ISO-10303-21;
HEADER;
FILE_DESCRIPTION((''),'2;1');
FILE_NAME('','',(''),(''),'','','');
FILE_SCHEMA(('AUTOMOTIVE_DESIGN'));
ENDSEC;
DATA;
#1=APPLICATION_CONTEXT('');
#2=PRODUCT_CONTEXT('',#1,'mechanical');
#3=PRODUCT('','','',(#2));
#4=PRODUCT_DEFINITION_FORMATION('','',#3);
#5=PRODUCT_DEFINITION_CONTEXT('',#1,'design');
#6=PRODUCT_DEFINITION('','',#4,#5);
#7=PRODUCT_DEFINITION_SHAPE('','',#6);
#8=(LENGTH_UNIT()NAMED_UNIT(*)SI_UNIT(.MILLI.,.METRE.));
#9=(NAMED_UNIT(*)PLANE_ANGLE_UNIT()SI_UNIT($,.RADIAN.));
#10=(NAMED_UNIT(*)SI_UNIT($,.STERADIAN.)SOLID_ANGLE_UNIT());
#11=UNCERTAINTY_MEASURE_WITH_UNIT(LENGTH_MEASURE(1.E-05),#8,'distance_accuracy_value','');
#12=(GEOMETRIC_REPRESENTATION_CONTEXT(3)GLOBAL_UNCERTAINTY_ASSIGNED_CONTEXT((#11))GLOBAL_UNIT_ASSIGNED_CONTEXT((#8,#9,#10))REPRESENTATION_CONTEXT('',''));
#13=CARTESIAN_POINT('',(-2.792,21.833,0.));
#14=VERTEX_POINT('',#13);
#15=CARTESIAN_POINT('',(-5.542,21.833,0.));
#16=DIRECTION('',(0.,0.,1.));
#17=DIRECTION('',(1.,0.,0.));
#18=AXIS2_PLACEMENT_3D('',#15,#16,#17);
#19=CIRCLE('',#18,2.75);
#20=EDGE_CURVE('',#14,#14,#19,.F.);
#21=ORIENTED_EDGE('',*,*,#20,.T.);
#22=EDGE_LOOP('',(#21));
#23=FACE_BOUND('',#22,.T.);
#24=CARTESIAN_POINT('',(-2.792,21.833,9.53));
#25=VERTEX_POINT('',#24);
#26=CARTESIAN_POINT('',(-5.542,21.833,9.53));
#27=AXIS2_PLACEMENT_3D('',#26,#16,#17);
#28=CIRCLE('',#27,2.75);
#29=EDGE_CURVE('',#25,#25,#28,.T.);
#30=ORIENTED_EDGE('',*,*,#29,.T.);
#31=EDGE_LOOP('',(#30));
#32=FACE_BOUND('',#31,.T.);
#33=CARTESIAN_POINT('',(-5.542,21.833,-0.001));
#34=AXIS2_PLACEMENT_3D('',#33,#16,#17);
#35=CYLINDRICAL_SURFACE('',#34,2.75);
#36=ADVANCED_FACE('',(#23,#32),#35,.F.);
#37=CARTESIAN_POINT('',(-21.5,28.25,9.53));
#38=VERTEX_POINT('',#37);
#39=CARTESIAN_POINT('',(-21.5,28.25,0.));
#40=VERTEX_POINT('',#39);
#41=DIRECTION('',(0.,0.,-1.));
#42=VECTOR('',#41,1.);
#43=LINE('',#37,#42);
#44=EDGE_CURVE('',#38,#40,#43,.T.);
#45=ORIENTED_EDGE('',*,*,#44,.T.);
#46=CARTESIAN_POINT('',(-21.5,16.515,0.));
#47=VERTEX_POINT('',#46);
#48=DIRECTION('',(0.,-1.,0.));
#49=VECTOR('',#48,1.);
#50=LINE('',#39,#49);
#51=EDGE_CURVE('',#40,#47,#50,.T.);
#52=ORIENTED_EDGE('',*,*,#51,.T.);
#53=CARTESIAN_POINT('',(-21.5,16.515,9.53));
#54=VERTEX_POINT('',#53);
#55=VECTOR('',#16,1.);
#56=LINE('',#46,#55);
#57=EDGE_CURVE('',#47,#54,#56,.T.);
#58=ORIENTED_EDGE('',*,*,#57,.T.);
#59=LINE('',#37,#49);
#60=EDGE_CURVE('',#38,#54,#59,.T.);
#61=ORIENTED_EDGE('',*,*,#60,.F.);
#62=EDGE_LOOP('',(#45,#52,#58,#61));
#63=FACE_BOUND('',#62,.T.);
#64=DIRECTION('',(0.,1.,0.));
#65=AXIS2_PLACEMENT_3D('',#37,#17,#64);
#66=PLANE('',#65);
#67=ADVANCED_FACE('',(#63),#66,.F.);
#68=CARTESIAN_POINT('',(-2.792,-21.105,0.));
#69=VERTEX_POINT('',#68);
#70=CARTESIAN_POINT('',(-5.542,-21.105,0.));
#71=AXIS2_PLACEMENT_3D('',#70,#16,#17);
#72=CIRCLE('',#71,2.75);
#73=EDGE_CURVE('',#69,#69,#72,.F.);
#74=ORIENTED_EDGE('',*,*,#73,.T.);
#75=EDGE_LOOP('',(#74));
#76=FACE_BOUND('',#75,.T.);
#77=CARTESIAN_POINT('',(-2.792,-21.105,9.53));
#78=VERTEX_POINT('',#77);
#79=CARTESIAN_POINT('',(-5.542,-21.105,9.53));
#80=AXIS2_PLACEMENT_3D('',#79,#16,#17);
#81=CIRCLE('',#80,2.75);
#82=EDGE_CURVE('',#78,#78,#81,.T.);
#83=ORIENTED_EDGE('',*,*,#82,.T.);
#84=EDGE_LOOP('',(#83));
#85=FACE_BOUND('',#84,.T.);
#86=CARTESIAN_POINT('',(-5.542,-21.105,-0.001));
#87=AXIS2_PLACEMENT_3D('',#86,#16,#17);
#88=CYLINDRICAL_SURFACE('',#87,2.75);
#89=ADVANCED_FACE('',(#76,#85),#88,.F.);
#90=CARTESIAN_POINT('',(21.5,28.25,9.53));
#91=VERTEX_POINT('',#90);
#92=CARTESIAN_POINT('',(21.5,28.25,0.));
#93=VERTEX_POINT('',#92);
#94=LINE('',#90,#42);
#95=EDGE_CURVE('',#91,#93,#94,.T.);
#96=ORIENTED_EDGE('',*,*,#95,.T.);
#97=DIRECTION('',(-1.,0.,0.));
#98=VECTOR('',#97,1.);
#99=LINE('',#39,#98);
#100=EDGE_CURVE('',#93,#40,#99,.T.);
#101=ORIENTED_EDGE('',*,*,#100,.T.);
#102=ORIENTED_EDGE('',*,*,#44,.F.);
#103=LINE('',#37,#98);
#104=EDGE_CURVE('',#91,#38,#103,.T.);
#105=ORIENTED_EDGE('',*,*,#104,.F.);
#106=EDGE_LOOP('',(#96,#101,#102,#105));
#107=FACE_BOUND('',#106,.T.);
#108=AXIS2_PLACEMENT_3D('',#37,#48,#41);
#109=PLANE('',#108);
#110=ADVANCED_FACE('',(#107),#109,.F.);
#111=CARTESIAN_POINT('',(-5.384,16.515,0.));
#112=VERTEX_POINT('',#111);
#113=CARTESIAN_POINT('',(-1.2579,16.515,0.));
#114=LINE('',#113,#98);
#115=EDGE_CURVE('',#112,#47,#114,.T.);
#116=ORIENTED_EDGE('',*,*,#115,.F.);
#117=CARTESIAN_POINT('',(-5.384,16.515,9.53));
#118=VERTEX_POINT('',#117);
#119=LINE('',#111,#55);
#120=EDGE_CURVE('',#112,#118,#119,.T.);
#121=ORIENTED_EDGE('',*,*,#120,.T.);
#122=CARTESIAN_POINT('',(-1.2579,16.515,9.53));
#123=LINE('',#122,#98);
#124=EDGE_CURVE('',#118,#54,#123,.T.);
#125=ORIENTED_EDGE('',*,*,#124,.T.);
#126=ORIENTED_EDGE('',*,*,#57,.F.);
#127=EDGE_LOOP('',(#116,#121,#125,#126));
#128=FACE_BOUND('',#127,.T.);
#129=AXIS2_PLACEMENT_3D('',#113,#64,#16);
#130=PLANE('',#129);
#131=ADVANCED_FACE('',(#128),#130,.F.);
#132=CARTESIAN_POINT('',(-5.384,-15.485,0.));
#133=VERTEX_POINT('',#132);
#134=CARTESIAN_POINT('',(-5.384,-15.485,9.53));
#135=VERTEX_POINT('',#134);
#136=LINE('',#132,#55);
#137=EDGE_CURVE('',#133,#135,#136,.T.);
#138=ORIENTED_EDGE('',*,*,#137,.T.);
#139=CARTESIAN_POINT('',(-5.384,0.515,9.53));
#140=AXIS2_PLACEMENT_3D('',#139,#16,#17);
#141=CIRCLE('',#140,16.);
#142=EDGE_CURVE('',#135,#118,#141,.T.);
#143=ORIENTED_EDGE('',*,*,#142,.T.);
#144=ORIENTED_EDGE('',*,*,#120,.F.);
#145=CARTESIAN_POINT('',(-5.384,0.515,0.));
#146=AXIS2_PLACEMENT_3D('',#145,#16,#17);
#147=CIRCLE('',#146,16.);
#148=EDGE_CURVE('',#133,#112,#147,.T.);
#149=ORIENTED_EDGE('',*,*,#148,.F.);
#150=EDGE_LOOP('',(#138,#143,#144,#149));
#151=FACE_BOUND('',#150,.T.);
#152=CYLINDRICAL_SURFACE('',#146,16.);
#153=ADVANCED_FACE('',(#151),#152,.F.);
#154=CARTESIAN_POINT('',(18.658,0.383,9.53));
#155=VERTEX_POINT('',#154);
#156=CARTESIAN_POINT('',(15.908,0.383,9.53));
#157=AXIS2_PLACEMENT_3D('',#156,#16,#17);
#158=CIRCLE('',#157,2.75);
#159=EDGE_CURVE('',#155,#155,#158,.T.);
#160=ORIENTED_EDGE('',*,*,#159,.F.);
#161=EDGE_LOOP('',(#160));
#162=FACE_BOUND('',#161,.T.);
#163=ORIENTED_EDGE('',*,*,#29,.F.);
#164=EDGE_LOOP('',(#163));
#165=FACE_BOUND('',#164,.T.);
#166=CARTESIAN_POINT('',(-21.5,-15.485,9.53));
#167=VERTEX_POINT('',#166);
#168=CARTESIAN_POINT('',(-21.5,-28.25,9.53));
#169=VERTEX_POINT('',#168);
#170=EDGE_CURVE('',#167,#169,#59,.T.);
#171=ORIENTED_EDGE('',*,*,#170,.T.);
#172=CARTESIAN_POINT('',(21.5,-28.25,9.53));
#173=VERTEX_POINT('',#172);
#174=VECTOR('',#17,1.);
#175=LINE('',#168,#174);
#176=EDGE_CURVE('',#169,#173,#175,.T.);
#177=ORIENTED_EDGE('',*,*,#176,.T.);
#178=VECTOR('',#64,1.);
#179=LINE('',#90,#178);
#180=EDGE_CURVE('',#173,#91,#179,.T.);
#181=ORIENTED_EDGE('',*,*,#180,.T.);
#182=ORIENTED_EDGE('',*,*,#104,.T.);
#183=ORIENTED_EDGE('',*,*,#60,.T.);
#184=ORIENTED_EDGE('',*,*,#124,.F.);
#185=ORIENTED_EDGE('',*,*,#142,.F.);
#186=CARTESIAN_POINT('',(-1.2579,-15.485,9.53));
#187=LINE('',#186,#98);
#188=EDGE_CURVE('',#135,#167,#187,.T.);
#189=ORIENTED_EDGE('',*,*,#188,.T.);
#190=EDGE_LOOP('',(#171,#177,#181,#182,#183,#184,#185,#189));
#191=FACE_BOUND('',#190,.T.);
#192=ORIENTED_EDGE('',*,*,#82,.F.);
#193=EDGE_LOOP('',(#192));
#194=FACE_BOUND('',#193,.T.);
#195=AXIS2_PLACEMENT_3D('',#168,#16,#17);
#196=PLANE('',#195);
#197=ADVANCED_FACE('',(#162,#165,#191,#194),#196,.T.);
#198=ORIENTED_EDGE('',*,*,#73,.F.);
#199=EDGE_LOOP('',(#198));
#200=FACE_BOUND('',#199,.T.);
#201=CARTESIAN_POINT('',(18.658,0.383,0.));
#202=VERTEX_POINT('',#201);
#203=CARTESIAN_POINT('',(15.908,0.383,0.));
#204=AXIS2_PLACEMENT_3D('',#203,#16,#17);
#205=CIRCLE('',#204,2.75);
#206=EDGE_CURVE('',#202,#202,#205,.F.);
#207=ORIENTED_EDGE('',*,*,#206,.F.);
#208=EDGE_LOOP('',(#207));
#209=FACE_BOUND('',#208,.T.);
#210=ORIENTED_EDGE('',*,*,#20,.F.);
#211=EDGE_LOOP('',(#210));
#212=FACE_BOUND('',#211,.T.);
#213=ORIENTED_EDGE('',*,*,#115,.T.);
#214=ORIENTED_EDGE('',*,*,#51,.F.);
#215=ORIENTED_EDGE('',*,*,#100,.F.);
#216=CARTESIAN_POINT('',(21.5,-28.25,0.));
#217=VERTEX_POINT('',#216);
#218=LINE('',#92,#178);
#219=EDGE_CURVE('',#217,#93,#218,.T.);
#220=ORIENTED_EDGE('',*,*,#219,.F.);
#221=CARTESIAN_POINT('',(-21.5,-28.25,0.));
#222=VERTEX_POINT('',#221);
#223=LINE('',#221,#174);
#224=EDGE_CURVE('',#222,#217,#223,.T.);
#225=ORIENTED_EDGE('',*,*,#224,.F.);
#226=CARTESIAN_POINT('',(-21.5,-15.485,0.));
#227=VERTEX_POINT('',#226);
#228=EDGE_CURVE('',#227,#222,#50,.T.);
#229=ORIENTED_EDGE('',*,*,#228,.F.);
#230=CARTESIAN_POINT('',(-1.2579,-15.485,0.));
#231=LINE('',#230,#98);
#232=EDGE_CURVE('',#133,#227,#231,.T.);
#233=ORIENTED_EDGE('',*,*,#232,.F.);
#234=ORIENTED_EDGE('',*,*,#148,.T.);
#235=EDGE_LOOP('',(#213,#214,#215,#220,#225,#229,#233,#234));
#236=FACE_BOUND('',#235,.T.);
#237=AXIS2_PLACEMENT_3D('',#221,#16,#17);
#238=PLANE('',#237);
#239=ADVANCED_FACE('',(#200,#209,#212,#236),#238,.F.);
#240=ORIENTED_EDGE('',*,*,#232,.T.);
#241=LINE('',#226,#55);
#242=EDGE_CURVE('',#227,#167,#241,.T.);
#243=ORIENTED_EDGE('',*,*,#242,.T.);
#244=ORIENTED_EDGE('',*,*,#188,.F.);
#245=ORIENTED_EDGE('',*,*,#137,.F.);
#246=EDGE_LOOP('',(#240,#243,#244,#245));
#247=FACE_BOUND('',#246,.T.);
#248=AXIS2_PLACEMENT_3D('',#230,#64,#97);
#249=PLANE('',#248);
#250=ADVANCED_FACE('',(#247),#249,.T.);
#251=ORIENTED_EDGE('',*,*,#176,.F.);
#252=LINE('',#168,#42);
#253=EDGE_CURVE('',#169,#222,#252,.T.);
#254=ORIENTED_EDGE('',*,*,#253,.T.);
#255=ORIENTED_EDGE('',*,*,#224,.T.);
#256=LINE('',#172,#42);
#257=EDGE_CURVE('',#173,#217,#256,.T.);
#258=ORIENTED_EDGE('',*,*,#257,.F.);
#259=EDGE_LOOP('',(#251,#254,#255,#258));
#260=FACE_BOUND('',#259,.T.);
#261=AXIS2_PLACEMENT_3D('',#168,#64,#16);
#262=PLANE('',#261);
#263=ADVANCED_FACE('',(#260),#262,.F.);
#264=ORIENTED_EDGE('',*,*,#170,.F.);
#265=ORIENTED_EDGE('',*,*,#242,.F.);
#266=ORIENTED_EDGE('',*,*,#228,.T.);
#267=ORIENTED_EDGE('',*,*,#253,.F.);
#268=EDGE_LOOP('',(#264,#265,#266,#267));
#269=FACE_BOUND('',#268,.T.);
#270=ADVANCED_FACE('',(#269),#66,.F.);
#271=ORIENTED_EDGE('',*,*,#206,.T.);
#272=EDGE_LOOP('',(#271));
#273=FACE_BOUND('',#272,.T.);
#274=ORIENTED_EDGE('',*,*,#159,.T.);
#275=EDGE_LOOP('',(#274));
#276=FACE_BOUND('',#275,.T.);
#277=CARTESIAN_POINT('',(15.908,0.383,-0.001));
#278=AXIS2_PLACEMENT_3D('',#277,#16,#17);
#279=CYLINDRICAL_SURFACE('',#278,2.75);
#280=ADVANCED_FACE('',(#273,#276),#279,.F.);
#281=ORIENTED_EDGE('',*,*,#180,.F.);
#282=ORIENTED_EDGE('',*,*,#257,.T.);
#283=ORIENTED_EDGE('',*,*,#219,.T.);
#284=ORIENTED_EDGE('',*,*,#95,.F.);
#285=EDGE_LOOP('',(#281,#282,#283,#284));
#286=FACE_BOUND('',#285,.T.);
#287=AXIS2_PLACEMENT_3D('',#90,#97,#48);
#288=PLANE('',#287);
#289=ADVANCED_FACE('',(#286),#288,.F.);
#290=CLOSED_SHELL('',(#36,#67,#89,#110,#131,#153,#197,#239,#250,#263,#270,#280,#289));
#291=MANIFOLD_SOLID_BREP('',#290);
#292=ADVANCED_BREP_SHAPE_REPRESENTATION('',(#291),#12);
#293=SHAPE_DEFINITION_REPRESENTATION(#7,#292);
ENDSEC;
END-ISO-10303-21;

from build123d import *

# Parameters (mm, degrees)
CROQUIS1_W              = 43
CROQUIS1_H              = 56.5
SALIENTE_EXTRUIR1_DEPTH = 9.53
CORTAR_EXTRUIR1_DEPTH   = 9.53
CORTAR_EXTRUIR2_REACH   = 38.758
CROQUIS3_R              = 2.75


with BuildPart() as part:
    # Croquis1 → Saliente-Extruir1 (new body)
    with BuildSketch(Plane.XY):
        Rectangle(CROQUIS1_W, CROQUIS1_H)
    extrude(amount=SALIENTE_EXTRUIR1_DEPTH)

    # Croquis2 → Cortar-Extruir1 (cut)
    with BuildSketch(Plane.XY.offset(9.53)):
        with BuildLine():
            ThreePointArc((-5.384, -15.485), (10.616, 0.515), (-5.384, 16.515))
            Line((-5.384, 16.515), (-21.5, 16.515))
            Line((-21.5, 16.515), (-21.5, -15.485))
            Line((-21.5, -15.485), (-5.384, -15.485))
        make_face()
    extrude(amount=-CORTAR_EXTRUIR1_DEPTH, mode=Mode.SUBTRACT)

    # Croquis3 → Cortar-Extruir2 (cut, up to next)
    with BuildSketch(Plane.XY.offset(9.53), mode=Mode.PRIVATE) as cortar_extruir2_sk1:
        with Locations((15.908, 0.383)):
            Circle(CROQUIS3_R)
    cortar_extruir2_tool1 = extrude(cortar_extruir2_sk1.sketch, amount=-CORTAR_EXTRUIR2_REACH, mode=Mode.PRIVATE) & part.part
    # Croquis3 → Cortar-Extruir2 (cut, up to next)
    with BuildSketch(Plane.XY.offset(9.53), mode=Mode.PRIVATE) as cortar_extruir2_sk2:
        with Locations((-5.542, 21.833)):
            Circle(CROQUIS3_R)
    cortar_extruir2_tool2 = extrude(cortar_extruir2_sk2.sketch, amount=-CORTAR_EXTRUIR2_REACH, mode=Mode.PRIVATE) & part.part
    # Croquis3 → Cortar-Extruir2 (cut, up to next)
    with BuildSketch(Plane.XY.offset(9.53), mode=Mode.PRIVATE) as cortar_extruir2_sk3:
        with Locations((-5.542, -21.105)):
            Circle(CROQUIS3_R)
    cortar_extruir2_tool3 = extrude(cortar_extruir2_sk3.sketch, amount=-CORTAR_EXTRUIR2_REACH, mode=Mode.PRIVATE) & part.part
    add(cortar_extruir2_tool1.solids().sort_by_distance((15.908, 0.383, 9.53))[0], mode=Mode.SUBTRACT)
    add(cortar_extruir2_tool2.solids().sort_by_distance((-5.542, 21.833, 9.53))[0], mode=Mode.SUBTRACT)
    add(cortar_extruir2_tool3.solids().sort_by_distance((-5.542, -21.105, 9.53))[0], mode=Mode.SUBTRACT)


solid = part.part
